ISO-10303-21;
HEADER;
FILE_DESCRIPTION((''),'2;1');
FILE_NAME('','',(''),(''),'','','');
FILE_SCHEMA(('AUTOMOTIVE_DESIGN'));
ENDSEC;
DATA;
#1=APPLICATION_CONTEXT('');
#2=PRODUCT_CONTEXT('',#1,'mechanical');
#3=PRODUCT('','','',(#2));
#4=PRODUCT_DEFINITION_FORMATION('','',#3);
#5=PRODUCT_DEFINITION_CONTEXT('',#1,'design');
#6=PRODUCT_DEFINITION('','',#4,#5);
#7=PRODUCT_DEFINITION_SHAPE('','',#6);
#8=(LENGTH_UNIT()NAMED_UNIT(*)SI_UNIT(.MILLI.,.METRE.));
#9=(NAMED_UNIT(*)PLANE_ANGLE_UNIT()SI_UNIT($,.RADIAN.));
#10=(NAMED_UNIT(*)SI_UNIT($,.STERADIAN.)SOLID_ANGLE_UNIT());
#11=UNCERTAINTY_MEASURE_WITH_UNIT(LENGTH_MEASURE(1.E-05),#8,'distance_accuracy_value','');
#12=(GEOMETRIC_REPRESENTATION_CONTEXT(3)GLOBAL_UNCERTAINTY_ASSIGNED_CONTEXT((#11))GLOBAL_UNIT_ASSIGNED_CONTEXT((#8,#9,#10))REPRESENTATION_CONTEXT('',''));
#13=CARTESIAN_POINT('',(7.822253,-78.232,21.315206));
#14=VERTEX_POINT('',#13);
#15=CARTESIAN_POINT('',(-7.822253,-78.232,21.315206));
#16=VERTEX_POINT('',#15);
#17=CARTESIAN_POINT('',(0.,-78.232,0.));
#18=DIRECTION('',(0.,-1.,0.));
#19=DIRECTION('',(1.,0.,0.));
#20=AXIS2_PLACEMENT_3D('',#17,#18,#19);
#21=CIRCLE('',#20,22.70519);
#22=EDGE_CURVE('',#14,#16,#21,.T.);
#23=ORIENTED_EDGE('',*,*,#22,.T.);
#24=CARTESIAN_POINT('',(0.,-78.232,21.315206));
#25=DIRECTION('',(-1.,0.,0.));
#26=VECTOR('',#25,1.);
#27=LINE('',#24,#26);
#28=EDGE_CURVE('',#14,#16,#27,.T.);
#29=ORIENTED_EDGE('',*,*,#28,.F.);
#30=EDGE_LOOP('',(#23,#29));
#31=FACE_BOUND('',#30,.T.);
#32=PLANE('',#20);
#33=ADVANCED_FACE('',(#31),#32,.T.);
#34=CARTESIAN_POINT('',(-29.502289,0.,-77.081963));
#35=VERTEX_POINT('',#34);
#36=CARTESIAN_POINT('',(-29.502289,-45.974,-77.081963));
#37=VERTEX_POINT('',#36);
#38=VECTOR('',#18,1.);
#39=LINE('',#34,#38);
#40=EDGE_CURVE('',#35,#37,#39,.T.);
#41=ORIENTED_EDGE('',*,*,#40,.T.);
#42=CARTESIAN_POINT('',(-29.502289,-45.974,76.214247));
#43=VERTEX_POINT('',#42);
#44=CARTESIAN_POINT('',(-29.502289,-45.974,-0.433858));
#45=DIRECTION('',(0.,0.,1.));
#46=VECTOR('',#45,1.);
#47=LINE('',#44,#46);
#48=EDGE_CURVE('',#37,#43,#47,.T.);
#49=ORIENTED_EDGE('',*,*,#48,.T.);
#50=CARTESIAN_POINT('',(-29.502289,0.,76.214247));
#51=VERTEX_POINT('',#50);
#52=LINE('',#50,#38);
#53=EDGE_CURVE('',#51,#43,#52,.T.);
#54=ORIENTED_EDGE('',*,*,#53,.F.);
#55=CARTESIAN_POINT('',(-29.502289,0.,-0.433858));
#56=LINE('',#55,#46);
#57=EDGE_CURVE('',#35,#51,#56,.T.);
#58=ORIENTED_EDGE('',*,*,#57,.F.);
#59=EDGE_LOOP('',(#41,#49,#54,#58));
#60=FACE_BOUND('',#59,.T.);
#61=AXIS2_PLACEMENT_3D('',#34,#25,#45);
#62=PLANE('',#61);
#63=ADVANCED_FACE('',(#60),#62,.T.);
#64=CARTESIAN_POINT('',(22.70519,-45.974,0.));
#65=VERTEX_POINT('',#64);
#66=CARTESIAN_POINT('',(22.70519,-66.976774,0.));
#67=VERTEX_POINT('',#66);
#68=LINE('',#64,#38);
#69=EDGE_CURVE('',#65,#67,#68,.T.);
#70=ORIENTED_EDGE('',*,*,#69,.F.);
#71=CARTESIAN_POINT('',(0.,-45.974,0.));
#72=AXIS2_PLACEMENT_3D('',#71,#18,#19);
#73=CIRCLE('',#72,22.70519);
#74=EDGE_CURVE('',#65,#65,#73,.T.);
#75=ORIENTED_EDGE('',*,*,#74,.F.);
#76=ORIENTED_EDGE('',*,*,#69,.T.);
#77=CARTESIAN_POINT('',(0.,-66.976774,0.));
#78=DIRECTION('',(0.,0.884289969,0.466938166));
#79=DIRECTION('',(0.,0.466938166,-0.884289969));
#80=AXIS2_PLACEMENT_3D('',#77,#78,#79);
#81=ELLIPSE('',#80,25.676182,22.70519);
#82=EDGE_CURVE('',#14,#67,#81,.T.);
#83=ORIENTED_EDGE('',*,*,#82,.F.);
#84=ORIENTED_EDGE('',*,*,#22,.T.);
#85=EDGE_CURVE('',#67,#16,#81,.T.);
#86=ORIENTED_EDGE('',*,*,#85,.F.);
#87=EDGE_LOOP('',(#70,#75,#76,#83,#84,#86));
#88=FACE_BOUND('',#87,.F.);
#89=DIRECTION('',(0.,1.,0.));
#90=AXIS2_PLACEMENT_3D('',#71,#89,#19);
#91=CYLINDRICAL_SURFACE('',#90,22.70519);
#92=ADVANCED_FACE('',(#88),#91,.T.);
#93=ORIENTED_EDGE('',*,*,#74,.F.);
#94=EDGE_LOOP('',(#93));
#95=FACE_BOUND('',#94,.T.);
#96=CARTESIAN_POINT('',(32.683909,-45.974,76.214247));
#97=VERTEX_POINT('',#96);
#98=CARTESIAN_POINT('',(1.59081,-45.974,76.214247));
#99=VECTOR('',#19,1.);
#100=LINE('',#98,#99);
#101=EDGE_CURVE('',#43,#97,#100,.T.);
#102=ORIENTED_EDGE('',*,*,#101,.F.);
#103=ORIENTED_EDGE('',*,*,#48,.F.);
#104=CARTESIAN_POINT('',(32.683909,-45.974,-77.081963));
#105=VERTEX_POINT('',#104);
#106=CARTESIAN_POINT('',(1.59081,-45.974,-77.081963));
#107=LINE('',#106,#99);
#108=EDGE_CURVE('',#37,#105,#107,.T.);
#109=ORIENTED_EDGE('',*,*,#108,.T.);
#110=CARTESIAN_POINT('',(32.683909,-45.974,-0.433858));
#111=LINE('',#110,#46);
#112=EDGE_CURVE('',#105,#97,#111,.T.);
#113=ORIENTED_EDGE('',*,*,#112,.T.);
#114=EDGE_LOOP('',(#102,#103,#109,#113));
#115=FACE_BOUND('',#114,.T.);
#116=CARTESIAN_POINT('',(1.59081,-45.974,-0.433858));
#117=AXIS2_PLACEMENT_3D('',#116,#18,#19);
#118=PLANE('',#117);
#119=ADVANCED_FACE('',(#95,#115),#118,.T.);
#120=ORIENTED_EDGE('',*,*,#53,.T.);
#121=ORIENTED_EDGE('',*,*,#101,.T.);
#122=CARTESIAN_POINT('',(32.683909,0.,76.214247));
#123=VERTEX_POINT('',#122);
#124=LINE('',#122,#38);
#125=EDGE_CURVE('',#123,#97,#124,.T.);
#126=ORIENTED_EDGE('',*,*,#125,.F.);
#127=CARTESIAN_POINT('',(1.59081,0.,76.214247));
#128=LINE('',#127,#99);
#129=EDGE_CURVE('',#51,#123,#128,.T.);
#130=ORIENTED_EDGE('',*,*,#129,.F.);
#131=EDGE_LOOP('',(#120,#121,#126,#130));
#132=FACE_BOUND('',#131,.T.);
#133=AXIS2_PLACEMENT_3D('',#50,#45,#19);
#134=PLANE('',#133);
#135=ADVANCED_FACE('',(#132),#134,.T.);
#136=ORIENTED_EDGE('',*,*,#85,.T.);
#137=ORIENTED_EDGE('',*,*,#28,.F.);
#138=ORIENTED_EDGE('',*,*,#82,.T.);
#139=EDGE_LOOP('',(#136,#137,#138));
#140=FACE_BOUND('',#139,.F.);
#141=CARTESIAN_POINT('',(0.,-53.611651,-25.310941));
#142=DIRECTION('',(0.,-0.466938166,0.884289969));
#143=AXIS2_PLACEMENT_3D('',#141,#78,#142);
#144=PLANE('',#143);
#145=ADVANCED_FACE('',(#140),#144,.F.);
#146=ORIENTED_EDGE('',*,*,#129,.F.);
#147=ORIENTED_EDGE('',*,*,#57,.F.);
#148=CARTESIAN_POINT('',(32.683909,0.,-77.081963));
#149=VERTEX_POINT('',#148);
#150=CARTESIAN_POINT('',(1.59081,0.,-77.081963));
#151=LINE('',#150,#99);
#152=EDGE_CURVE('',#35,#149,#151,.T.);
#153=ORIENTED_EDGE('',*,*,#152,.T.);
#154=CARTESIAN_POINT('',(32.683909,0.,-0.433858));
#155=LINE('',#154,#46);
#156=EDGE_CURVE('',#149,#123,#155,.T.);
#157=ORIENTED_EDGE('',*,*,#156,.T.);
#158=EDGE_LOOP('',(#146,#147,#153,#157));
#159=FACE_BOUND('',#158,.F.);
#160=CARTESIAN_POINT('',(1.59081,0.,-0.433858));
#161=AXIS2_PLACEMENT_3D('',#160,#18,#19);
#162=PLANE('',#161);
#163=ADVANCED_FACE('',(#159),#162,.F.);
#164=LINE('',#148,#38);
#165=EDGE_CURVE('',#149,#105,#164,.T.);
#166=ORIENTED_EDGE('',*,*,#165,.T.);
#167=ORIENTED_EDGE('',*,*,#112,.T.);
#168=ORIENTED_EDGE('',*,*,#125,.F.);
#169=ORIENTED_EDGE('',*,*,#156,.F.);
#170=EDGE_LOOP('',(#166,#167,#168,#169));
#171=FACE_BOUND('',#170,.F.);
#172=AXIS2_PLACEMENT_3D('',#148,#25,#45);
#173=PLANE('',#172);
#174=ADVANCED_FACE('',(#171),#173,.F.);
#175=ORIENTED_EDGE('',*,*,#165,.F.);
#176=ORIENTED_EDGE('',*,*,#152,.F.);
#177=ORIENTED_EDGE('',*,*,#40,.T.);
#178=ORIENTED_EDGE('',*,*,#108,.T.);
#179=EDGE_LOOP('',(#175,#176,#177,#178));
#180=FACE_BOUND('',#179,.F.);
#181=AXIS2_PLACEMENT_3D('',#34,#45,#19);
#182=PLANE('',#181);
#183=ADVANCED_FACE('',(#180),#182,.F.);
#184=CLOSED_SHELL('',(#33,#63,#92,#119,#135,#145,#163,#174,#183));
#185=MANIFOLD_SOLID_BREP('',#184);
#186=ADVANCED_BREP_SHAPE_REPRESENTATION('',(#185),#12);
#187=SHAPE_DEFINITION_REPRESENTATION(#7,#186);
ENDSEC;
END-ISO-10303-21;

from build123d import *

# Parameters (mm, degrees)
F0_W     = 62.186198
F0_H     = 153.296209
F1_DEPTH = 45.974
F2_R     = 22.70519
F3_DEPTH = 32.258
F5_DEPTH = 24.384


with BuildPart() as f1:
    # F0 (on Front) → F1 (new body)
    with BuildSketch(Plane.XZ):
        with Locations((1.59081, -0.433858)):
            Rectangle(F0_W, F0_H)
    extrude(amount=F1_DEPTH)

    # F2 (on face) → F3 (join)
    with BuildSketch(Plane.XZ.offset(45.974)):
        Circle(F2_R)
    extrude(amount=F3_DEPTH)

    # F4 (on Right) → F5 (cut, symmetric)
    with BuildSketch(Plane.YZ):
        Polygon((-53.611651, -25.310941), (-78.850865, 22.487216), (-78.627512, -25.310941), align=None)
    extrude(amount=F5_DEPTH, both=True, mode=Mode.SUBTRACT)


solid = f1.part
